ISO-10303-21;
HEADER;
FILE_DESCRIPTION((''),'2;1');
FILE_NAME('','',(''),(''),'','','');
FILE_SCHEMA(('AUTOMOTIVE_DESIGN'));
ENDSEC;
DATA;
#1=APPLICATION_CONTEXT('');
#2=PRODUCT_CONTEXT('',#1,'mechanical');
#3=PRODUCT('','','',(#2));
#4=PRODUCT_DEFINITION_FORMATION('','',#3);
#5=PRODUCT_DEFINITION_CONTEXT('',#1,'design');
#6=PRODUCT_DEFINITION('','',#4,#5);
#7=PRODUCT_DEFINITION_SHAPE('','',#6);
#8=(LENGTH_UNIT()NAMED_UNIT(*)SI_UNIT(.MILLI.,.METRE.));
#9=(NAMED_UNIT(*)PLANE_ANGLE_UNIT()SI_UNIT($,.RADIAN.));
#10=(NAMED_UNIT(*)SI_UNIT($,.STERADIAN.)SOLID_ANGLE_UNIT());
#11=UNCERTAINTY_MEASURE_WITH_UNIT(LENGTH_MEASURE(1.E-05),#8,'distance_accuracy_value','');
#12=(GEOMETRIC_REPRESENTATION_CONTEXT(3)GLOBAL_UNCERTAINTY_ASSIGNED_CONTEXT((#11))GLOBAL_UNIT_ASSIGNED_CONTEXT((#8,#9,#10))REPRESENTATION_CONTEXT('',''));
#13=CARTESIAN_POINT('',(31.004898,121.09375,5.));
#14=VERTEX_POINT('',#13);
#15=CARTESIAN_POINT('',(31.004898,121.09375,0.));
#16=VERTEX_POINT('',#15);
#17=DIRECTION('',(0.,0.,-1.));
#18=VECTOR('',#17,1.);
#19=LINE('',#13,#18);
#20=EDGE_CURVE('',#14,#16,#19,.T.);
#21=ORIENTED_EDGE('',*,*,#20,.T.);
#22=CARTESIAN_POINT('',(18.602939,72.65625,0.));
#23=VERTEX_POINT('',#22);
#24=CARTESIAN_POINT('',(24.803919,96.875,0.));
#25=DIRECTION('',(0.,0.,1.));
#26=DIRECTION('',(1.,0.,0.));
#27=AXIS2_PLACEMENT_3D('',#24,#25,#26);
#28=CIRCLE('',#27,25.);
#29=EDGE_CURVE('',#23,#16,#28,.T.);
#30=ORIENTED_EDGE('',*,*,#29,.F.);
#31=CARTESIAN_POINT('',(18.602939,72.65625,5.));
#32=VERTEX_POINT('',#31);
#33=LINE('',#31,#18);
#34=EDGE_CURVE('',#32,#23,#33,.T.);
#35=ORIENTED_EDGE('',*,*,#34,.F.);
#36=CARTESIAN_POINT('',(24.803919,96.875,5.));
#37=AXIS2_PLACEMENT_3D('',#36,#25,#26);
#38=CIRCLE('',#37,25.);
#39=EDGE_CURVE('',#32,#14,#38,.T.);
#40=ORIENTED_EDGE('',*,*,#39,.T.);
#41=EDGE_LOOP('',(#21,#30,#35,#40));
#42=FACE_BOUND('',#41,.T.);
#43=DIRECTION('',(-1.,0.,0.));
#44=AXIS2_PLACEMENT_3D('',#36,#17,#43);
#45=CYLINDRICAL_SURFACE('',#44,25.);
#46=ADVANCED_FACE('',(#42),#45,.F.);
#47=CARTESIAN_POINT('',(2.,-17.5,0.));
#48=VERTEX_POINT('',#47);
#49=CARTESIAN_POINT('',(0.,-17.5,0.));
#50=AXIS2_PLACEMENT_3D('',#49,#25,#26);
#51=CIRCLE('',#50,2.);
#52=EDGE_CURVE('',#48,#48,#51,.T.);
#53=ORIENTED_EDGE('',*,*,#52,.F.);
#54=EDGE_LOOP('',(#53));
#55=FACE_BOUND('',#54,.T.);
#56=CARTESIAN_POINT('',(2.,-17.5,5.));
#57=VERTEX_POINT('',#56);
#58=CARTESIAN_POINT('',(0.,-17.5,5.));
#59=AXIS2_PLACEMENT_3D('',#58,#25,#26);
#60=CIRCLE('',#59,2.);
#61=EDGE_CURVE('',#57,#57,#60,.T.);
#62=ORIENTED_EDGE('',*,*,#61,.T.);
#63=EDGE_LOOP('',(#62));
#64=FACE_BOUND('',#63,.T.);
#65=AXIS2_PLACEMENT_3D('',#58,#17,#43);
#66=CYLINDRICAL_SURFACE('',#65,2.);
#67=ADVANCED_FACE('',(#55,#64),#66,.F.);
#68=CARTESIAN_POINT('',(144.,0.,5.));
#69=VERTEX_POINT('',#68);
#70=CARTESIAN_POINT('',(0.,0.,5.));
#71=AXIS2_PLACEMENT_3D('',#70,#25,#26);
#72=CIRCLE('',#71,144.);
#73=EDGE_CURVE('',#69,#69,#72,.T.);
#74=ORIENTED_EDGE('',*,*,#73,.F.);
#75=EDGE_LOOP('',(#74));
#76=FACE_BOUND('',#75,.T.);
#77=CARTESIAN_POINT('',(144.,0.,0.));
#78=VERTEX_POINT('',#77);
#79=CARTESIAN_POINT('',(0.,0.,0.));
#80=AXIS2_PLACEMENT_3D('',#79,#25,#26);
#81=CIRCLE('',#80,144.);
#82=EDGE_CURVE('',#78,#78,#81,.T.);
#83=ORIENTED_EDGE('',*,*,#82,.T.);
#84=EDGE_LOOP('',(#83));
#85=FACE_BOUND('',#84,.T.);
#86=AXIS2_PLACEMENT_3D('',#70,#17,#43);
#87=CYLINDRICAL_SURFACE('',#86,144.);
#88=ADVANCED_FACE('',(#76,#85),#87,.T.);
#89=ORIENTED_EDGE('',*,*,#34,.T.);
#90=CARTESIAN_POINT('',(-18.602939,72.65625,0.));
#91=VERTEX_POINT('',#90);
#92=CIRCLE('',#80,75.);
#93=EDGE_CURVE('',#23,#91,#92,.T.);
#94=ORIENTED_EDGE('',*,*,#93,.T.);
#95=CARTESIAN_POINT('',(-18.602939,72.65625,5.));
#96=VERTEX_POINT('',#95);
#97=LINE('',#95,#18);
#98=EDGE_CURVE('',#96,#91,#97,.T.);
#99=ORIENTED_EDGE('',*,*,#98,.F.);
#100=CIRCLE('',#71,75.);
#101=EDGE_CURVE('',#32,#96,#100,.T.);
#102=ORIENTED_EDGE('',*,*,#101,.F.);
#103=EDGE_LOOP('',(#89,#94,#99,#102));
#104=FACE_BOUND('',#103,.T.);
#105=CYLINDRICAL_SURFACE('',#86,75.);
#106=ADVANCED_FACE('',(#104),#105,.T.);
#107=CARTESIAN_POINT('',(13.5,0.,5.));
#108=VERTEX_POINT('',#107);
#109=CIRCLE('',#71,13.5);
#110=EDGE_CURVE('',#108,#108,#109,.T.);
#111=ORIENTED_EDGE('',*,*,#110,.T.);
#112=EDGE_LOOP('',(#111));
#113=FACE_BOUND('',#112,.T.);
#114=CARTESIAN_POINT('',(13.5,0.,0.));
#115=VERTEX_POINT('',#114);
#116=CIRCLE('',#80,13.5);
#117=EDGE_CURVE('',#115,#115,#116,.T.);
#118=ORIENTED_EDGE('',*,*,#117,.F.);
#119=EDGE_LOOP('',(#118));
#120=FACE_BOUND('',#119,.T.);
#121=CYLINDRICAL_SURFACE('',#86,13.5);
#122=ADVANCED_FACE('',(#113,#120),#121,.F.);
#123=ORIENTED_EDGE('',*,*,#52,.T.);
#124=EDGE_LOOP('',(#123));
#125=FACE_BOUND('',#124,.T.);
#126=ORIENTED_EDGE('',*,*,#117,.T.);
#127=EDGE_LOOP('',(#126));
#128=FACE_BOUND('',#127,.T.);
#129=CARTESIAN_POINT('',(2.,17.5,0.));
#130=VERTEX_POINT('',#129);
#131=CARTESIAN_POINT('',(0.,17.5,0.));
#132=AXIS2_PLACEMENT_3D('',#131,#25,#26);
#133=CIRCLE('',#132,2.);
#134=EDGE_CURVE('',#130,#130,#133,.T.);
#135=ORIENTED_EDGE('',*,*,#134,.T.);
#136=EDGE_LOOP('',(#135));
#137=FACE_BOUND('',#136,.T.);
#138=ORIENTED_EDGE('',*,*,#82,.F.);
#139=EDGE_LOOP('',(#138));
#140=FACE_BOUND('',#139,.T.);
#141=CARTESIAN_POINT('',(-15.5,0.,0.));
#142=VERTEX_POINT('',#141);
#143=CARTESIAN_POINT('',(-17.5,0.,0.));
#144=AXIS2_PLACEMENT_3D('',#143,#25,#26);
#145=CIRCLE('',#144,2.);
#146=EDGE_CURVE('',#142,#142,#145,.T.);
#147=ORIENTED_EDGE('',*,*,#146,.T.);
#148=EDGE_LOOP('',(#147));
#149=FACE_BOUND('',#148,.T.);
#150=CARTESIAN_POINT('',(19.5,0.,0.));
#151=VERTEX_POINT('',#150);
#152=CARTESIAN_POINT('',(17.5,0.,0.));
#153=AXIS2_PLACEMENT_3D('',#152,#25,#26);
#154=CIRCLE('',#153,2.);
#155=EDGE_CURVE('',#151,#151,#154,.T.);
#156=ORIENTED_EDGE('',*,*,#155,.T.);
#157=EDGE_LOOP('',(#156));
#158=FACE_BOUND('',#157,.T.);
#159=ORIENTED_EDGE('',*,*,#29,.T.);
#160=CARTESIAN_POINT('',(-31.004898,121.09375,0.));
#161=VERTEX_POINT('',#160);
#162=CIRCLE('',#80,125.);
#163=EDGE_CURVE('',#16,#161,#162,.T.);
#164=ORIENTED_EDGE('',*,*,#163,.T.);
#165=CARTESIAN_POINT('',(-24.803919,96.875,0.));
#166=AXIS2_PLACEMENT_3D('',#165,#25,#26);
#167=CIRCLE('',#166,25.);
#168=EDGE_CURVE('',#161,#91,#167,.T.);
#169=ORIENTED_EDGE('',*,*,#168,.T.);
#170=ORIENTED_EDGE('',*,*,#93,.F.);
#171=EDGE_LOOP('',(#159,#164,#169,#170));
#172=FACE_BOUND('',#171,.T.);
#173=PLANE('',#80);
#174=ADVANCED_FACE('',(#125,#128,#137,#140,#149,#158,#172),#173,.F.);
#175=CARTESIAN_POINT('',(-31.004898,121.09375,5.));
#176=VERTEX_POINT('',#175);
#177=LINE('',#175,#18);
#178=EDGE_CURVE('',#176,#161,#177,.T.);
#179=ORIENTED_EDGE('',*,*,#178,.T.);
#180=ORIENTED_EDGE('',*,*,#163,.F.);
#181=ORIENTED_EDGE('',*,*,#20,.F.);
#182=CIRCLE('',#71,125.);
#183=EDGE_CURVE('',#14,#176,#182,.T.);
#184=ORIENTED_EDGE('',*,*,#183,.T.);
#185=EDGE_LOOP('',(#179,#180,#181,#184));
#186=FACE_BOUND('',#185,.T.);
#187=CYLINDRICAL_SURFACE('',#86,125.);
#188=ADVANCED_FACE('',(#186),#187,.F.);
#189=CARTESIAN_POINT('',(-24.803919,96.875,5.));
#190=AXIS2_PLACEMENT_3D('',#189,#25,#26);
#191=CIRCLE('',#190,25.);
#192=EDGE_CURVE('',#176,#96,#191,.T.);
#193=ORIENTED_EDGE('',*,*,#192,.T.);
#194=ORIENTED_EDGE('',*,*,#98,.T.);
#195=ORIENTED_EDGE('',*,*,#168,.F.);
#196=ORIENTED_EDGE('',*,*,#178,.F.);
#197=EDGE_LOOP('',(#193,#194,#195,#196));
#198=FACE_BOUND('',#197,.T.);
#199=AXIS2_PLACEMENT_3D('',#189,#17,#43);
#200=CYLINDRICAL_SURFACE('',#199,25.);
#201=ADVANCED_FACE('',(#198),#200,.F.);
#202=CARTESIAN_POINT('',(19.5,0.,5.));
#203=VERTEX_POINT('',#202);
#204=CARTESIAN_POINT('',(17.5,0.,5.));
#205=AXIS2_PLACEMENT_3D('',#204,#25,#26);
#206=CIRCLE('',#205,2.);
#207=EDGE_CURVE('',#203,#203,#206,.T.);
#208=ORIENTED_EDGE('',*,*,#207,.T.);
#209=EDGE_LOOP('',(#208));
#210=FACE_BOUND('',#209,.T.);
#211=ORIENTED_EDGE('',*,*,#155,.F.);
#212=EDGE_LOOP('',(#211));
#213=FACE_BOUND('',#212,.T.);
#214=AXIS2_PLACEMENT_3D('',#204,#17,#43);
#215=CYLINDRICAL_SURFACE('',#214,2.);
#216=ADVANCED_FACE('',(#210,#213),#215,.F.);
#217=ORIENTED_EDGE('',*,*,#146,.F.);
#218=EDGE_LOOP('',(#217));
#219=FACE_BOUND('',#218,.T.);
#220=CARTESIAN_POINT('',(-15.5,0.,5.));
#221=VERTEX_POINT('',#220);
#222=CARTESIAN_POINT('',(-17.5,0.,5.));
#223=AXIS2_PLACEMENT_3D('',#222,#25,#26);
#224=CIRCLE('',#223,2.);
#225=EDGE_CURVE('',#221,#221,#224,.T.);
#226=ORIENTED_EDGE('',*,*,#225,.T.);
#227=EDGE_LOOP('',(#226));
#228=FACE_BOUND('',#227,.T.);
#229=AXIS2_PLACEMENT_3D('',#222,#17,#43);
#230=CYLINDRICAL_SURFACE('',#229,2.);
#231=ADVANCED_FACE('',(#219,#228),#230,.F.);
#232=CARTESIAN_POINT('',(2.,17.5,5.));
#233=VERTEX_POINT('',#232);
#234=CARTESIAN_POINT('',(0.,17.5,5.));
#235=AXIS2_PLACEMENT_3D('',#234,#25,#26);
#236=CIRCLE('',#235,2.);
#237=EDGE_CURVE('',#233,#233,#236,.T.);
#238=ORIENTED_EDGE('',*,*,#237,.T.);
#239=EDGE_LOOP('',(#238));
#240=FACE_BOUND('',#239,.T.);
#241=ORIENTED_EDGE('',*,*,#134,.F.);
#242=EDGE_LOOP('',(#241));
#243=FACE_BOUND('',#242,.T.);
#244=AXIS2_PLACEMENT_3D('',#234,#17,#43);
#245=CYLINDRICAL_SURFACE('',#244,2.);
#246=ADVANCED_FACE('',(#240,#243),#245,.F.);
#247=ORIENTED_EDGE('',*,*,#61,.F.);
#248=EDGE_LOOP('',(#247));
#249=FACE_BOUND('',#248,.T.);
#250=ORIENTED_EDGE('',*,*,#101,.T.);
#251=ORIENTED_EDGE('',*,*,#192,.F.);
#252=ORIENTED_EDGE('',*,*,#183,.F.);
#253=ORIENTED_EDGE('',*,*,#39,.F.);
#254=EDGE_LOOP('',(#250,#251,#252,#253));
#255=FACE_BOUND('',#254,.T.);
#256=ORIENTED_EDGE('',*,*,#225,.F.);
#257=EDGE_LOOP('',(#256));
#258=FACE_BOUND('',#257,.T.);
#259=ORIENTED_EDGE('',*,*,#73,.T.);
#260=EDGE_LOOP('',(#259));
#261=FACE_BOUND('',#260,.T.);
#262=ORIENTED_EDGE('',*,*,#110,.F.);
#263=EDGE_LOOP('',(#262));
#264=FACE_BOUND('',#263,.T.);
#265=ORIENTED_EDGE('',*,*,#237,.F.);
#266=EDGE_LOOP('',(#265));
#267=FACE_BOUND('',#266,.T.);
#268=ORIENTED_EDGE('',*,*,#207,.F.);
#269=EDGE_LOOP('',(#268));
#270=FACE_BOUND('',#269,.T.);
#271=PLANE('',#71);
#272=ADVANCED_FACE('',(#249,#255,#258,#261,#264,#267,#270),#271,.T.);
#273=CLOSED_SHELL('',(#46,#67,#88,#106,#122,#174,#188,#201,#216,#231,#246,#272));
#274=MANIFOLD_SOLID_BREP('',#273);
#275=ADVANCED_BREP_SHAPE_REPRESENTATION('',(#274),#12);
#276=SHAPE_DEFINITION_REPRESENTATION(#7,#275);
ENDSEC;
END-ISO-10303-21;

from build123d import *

# Parameters (mm, degrees)
EXTRUDE_1_DEPTH = 5


with BuildPart() as part:
    # 草图1 → 凸台-拉伸1 (new body)
    with BuildSketch(Plane.XY):
        with BuildLine():
            ThreePointArc((0, 144), (-144, 0), (0, -144))
            ThreePointArc((0, -144), (144, 0), (0, 144))
        make_face()
        with BuildLine():
            ThreePointArc((31.004898177, 121.09375), (0, 125), (-31.004898177, 121.09375))
            ThreePointArc((-31.004898177, 121.09375), (-49.607837082, 93.75), (-24.803918541, 71.875))
            ThreePointArc((-24.803918541, 71.875), (-21.678918541, 72.071081459), (-18.602938906, 72.65625))
            ThreePointArc((-18.602938906, 72.65625), (0, 75), (18.602938906, 72.65625))
            ThreePointArc((18.602938906, 72.65625), (21.678918541, 72.071081459), (24.803918541, 71.875))
            ThreePointArc((24.803918541, 71.875), (49.607837082, 93.75), (31.004898177, 121.09375))
        make_face(mode=Mode.SUBTRACT)
        with BuildLine():
            ThreePointArc((0, -13.5), (13.5, 0), (0, 13.5))
            ThreePointArc((0, 13.5), (-13.5, 0), (0, -13.5))
        make_face(mode=Mode.SUBTRACT)
        with BuildLine():
            ThreePointArc((17.5, -2), (19.5, 0), (17.5, 2))
            ThreePointArc((17.5, 2), (15.5, 0), (17.5, -2))
        make_face(mode=Mode.SUBTRACT)
        with BuildLine():
            ThreePointArc((0, -19.5), (2, -17.5), (0, -15.5))
            ThreePointArc((0, -15.5), (-2, -17.5), (0, -19.5))
        make_face(mode=Mode.SUBTRACT)
        with BuildLine():
            ThreePointArc((-17.5, -2), (-15.5, 0), (-17.5, 2))
            ThreePointArc((-17.5, 2), (-19.5, 0), (-17.5, -2))
        make_face(mode=Mode.SUBTRACT)
        with BuildLine():
            ThreePointArc((0, 15.5), (2, 17.5), (0, 19.5))
            ThreePointArc((0, 19.5), (-2, 17.5), (0, 15.5))
        make_face(mode=Mode.SUBTRACT)
    extrude(amount=EXTRUDE_1_DEPTH)


solid = part.part
